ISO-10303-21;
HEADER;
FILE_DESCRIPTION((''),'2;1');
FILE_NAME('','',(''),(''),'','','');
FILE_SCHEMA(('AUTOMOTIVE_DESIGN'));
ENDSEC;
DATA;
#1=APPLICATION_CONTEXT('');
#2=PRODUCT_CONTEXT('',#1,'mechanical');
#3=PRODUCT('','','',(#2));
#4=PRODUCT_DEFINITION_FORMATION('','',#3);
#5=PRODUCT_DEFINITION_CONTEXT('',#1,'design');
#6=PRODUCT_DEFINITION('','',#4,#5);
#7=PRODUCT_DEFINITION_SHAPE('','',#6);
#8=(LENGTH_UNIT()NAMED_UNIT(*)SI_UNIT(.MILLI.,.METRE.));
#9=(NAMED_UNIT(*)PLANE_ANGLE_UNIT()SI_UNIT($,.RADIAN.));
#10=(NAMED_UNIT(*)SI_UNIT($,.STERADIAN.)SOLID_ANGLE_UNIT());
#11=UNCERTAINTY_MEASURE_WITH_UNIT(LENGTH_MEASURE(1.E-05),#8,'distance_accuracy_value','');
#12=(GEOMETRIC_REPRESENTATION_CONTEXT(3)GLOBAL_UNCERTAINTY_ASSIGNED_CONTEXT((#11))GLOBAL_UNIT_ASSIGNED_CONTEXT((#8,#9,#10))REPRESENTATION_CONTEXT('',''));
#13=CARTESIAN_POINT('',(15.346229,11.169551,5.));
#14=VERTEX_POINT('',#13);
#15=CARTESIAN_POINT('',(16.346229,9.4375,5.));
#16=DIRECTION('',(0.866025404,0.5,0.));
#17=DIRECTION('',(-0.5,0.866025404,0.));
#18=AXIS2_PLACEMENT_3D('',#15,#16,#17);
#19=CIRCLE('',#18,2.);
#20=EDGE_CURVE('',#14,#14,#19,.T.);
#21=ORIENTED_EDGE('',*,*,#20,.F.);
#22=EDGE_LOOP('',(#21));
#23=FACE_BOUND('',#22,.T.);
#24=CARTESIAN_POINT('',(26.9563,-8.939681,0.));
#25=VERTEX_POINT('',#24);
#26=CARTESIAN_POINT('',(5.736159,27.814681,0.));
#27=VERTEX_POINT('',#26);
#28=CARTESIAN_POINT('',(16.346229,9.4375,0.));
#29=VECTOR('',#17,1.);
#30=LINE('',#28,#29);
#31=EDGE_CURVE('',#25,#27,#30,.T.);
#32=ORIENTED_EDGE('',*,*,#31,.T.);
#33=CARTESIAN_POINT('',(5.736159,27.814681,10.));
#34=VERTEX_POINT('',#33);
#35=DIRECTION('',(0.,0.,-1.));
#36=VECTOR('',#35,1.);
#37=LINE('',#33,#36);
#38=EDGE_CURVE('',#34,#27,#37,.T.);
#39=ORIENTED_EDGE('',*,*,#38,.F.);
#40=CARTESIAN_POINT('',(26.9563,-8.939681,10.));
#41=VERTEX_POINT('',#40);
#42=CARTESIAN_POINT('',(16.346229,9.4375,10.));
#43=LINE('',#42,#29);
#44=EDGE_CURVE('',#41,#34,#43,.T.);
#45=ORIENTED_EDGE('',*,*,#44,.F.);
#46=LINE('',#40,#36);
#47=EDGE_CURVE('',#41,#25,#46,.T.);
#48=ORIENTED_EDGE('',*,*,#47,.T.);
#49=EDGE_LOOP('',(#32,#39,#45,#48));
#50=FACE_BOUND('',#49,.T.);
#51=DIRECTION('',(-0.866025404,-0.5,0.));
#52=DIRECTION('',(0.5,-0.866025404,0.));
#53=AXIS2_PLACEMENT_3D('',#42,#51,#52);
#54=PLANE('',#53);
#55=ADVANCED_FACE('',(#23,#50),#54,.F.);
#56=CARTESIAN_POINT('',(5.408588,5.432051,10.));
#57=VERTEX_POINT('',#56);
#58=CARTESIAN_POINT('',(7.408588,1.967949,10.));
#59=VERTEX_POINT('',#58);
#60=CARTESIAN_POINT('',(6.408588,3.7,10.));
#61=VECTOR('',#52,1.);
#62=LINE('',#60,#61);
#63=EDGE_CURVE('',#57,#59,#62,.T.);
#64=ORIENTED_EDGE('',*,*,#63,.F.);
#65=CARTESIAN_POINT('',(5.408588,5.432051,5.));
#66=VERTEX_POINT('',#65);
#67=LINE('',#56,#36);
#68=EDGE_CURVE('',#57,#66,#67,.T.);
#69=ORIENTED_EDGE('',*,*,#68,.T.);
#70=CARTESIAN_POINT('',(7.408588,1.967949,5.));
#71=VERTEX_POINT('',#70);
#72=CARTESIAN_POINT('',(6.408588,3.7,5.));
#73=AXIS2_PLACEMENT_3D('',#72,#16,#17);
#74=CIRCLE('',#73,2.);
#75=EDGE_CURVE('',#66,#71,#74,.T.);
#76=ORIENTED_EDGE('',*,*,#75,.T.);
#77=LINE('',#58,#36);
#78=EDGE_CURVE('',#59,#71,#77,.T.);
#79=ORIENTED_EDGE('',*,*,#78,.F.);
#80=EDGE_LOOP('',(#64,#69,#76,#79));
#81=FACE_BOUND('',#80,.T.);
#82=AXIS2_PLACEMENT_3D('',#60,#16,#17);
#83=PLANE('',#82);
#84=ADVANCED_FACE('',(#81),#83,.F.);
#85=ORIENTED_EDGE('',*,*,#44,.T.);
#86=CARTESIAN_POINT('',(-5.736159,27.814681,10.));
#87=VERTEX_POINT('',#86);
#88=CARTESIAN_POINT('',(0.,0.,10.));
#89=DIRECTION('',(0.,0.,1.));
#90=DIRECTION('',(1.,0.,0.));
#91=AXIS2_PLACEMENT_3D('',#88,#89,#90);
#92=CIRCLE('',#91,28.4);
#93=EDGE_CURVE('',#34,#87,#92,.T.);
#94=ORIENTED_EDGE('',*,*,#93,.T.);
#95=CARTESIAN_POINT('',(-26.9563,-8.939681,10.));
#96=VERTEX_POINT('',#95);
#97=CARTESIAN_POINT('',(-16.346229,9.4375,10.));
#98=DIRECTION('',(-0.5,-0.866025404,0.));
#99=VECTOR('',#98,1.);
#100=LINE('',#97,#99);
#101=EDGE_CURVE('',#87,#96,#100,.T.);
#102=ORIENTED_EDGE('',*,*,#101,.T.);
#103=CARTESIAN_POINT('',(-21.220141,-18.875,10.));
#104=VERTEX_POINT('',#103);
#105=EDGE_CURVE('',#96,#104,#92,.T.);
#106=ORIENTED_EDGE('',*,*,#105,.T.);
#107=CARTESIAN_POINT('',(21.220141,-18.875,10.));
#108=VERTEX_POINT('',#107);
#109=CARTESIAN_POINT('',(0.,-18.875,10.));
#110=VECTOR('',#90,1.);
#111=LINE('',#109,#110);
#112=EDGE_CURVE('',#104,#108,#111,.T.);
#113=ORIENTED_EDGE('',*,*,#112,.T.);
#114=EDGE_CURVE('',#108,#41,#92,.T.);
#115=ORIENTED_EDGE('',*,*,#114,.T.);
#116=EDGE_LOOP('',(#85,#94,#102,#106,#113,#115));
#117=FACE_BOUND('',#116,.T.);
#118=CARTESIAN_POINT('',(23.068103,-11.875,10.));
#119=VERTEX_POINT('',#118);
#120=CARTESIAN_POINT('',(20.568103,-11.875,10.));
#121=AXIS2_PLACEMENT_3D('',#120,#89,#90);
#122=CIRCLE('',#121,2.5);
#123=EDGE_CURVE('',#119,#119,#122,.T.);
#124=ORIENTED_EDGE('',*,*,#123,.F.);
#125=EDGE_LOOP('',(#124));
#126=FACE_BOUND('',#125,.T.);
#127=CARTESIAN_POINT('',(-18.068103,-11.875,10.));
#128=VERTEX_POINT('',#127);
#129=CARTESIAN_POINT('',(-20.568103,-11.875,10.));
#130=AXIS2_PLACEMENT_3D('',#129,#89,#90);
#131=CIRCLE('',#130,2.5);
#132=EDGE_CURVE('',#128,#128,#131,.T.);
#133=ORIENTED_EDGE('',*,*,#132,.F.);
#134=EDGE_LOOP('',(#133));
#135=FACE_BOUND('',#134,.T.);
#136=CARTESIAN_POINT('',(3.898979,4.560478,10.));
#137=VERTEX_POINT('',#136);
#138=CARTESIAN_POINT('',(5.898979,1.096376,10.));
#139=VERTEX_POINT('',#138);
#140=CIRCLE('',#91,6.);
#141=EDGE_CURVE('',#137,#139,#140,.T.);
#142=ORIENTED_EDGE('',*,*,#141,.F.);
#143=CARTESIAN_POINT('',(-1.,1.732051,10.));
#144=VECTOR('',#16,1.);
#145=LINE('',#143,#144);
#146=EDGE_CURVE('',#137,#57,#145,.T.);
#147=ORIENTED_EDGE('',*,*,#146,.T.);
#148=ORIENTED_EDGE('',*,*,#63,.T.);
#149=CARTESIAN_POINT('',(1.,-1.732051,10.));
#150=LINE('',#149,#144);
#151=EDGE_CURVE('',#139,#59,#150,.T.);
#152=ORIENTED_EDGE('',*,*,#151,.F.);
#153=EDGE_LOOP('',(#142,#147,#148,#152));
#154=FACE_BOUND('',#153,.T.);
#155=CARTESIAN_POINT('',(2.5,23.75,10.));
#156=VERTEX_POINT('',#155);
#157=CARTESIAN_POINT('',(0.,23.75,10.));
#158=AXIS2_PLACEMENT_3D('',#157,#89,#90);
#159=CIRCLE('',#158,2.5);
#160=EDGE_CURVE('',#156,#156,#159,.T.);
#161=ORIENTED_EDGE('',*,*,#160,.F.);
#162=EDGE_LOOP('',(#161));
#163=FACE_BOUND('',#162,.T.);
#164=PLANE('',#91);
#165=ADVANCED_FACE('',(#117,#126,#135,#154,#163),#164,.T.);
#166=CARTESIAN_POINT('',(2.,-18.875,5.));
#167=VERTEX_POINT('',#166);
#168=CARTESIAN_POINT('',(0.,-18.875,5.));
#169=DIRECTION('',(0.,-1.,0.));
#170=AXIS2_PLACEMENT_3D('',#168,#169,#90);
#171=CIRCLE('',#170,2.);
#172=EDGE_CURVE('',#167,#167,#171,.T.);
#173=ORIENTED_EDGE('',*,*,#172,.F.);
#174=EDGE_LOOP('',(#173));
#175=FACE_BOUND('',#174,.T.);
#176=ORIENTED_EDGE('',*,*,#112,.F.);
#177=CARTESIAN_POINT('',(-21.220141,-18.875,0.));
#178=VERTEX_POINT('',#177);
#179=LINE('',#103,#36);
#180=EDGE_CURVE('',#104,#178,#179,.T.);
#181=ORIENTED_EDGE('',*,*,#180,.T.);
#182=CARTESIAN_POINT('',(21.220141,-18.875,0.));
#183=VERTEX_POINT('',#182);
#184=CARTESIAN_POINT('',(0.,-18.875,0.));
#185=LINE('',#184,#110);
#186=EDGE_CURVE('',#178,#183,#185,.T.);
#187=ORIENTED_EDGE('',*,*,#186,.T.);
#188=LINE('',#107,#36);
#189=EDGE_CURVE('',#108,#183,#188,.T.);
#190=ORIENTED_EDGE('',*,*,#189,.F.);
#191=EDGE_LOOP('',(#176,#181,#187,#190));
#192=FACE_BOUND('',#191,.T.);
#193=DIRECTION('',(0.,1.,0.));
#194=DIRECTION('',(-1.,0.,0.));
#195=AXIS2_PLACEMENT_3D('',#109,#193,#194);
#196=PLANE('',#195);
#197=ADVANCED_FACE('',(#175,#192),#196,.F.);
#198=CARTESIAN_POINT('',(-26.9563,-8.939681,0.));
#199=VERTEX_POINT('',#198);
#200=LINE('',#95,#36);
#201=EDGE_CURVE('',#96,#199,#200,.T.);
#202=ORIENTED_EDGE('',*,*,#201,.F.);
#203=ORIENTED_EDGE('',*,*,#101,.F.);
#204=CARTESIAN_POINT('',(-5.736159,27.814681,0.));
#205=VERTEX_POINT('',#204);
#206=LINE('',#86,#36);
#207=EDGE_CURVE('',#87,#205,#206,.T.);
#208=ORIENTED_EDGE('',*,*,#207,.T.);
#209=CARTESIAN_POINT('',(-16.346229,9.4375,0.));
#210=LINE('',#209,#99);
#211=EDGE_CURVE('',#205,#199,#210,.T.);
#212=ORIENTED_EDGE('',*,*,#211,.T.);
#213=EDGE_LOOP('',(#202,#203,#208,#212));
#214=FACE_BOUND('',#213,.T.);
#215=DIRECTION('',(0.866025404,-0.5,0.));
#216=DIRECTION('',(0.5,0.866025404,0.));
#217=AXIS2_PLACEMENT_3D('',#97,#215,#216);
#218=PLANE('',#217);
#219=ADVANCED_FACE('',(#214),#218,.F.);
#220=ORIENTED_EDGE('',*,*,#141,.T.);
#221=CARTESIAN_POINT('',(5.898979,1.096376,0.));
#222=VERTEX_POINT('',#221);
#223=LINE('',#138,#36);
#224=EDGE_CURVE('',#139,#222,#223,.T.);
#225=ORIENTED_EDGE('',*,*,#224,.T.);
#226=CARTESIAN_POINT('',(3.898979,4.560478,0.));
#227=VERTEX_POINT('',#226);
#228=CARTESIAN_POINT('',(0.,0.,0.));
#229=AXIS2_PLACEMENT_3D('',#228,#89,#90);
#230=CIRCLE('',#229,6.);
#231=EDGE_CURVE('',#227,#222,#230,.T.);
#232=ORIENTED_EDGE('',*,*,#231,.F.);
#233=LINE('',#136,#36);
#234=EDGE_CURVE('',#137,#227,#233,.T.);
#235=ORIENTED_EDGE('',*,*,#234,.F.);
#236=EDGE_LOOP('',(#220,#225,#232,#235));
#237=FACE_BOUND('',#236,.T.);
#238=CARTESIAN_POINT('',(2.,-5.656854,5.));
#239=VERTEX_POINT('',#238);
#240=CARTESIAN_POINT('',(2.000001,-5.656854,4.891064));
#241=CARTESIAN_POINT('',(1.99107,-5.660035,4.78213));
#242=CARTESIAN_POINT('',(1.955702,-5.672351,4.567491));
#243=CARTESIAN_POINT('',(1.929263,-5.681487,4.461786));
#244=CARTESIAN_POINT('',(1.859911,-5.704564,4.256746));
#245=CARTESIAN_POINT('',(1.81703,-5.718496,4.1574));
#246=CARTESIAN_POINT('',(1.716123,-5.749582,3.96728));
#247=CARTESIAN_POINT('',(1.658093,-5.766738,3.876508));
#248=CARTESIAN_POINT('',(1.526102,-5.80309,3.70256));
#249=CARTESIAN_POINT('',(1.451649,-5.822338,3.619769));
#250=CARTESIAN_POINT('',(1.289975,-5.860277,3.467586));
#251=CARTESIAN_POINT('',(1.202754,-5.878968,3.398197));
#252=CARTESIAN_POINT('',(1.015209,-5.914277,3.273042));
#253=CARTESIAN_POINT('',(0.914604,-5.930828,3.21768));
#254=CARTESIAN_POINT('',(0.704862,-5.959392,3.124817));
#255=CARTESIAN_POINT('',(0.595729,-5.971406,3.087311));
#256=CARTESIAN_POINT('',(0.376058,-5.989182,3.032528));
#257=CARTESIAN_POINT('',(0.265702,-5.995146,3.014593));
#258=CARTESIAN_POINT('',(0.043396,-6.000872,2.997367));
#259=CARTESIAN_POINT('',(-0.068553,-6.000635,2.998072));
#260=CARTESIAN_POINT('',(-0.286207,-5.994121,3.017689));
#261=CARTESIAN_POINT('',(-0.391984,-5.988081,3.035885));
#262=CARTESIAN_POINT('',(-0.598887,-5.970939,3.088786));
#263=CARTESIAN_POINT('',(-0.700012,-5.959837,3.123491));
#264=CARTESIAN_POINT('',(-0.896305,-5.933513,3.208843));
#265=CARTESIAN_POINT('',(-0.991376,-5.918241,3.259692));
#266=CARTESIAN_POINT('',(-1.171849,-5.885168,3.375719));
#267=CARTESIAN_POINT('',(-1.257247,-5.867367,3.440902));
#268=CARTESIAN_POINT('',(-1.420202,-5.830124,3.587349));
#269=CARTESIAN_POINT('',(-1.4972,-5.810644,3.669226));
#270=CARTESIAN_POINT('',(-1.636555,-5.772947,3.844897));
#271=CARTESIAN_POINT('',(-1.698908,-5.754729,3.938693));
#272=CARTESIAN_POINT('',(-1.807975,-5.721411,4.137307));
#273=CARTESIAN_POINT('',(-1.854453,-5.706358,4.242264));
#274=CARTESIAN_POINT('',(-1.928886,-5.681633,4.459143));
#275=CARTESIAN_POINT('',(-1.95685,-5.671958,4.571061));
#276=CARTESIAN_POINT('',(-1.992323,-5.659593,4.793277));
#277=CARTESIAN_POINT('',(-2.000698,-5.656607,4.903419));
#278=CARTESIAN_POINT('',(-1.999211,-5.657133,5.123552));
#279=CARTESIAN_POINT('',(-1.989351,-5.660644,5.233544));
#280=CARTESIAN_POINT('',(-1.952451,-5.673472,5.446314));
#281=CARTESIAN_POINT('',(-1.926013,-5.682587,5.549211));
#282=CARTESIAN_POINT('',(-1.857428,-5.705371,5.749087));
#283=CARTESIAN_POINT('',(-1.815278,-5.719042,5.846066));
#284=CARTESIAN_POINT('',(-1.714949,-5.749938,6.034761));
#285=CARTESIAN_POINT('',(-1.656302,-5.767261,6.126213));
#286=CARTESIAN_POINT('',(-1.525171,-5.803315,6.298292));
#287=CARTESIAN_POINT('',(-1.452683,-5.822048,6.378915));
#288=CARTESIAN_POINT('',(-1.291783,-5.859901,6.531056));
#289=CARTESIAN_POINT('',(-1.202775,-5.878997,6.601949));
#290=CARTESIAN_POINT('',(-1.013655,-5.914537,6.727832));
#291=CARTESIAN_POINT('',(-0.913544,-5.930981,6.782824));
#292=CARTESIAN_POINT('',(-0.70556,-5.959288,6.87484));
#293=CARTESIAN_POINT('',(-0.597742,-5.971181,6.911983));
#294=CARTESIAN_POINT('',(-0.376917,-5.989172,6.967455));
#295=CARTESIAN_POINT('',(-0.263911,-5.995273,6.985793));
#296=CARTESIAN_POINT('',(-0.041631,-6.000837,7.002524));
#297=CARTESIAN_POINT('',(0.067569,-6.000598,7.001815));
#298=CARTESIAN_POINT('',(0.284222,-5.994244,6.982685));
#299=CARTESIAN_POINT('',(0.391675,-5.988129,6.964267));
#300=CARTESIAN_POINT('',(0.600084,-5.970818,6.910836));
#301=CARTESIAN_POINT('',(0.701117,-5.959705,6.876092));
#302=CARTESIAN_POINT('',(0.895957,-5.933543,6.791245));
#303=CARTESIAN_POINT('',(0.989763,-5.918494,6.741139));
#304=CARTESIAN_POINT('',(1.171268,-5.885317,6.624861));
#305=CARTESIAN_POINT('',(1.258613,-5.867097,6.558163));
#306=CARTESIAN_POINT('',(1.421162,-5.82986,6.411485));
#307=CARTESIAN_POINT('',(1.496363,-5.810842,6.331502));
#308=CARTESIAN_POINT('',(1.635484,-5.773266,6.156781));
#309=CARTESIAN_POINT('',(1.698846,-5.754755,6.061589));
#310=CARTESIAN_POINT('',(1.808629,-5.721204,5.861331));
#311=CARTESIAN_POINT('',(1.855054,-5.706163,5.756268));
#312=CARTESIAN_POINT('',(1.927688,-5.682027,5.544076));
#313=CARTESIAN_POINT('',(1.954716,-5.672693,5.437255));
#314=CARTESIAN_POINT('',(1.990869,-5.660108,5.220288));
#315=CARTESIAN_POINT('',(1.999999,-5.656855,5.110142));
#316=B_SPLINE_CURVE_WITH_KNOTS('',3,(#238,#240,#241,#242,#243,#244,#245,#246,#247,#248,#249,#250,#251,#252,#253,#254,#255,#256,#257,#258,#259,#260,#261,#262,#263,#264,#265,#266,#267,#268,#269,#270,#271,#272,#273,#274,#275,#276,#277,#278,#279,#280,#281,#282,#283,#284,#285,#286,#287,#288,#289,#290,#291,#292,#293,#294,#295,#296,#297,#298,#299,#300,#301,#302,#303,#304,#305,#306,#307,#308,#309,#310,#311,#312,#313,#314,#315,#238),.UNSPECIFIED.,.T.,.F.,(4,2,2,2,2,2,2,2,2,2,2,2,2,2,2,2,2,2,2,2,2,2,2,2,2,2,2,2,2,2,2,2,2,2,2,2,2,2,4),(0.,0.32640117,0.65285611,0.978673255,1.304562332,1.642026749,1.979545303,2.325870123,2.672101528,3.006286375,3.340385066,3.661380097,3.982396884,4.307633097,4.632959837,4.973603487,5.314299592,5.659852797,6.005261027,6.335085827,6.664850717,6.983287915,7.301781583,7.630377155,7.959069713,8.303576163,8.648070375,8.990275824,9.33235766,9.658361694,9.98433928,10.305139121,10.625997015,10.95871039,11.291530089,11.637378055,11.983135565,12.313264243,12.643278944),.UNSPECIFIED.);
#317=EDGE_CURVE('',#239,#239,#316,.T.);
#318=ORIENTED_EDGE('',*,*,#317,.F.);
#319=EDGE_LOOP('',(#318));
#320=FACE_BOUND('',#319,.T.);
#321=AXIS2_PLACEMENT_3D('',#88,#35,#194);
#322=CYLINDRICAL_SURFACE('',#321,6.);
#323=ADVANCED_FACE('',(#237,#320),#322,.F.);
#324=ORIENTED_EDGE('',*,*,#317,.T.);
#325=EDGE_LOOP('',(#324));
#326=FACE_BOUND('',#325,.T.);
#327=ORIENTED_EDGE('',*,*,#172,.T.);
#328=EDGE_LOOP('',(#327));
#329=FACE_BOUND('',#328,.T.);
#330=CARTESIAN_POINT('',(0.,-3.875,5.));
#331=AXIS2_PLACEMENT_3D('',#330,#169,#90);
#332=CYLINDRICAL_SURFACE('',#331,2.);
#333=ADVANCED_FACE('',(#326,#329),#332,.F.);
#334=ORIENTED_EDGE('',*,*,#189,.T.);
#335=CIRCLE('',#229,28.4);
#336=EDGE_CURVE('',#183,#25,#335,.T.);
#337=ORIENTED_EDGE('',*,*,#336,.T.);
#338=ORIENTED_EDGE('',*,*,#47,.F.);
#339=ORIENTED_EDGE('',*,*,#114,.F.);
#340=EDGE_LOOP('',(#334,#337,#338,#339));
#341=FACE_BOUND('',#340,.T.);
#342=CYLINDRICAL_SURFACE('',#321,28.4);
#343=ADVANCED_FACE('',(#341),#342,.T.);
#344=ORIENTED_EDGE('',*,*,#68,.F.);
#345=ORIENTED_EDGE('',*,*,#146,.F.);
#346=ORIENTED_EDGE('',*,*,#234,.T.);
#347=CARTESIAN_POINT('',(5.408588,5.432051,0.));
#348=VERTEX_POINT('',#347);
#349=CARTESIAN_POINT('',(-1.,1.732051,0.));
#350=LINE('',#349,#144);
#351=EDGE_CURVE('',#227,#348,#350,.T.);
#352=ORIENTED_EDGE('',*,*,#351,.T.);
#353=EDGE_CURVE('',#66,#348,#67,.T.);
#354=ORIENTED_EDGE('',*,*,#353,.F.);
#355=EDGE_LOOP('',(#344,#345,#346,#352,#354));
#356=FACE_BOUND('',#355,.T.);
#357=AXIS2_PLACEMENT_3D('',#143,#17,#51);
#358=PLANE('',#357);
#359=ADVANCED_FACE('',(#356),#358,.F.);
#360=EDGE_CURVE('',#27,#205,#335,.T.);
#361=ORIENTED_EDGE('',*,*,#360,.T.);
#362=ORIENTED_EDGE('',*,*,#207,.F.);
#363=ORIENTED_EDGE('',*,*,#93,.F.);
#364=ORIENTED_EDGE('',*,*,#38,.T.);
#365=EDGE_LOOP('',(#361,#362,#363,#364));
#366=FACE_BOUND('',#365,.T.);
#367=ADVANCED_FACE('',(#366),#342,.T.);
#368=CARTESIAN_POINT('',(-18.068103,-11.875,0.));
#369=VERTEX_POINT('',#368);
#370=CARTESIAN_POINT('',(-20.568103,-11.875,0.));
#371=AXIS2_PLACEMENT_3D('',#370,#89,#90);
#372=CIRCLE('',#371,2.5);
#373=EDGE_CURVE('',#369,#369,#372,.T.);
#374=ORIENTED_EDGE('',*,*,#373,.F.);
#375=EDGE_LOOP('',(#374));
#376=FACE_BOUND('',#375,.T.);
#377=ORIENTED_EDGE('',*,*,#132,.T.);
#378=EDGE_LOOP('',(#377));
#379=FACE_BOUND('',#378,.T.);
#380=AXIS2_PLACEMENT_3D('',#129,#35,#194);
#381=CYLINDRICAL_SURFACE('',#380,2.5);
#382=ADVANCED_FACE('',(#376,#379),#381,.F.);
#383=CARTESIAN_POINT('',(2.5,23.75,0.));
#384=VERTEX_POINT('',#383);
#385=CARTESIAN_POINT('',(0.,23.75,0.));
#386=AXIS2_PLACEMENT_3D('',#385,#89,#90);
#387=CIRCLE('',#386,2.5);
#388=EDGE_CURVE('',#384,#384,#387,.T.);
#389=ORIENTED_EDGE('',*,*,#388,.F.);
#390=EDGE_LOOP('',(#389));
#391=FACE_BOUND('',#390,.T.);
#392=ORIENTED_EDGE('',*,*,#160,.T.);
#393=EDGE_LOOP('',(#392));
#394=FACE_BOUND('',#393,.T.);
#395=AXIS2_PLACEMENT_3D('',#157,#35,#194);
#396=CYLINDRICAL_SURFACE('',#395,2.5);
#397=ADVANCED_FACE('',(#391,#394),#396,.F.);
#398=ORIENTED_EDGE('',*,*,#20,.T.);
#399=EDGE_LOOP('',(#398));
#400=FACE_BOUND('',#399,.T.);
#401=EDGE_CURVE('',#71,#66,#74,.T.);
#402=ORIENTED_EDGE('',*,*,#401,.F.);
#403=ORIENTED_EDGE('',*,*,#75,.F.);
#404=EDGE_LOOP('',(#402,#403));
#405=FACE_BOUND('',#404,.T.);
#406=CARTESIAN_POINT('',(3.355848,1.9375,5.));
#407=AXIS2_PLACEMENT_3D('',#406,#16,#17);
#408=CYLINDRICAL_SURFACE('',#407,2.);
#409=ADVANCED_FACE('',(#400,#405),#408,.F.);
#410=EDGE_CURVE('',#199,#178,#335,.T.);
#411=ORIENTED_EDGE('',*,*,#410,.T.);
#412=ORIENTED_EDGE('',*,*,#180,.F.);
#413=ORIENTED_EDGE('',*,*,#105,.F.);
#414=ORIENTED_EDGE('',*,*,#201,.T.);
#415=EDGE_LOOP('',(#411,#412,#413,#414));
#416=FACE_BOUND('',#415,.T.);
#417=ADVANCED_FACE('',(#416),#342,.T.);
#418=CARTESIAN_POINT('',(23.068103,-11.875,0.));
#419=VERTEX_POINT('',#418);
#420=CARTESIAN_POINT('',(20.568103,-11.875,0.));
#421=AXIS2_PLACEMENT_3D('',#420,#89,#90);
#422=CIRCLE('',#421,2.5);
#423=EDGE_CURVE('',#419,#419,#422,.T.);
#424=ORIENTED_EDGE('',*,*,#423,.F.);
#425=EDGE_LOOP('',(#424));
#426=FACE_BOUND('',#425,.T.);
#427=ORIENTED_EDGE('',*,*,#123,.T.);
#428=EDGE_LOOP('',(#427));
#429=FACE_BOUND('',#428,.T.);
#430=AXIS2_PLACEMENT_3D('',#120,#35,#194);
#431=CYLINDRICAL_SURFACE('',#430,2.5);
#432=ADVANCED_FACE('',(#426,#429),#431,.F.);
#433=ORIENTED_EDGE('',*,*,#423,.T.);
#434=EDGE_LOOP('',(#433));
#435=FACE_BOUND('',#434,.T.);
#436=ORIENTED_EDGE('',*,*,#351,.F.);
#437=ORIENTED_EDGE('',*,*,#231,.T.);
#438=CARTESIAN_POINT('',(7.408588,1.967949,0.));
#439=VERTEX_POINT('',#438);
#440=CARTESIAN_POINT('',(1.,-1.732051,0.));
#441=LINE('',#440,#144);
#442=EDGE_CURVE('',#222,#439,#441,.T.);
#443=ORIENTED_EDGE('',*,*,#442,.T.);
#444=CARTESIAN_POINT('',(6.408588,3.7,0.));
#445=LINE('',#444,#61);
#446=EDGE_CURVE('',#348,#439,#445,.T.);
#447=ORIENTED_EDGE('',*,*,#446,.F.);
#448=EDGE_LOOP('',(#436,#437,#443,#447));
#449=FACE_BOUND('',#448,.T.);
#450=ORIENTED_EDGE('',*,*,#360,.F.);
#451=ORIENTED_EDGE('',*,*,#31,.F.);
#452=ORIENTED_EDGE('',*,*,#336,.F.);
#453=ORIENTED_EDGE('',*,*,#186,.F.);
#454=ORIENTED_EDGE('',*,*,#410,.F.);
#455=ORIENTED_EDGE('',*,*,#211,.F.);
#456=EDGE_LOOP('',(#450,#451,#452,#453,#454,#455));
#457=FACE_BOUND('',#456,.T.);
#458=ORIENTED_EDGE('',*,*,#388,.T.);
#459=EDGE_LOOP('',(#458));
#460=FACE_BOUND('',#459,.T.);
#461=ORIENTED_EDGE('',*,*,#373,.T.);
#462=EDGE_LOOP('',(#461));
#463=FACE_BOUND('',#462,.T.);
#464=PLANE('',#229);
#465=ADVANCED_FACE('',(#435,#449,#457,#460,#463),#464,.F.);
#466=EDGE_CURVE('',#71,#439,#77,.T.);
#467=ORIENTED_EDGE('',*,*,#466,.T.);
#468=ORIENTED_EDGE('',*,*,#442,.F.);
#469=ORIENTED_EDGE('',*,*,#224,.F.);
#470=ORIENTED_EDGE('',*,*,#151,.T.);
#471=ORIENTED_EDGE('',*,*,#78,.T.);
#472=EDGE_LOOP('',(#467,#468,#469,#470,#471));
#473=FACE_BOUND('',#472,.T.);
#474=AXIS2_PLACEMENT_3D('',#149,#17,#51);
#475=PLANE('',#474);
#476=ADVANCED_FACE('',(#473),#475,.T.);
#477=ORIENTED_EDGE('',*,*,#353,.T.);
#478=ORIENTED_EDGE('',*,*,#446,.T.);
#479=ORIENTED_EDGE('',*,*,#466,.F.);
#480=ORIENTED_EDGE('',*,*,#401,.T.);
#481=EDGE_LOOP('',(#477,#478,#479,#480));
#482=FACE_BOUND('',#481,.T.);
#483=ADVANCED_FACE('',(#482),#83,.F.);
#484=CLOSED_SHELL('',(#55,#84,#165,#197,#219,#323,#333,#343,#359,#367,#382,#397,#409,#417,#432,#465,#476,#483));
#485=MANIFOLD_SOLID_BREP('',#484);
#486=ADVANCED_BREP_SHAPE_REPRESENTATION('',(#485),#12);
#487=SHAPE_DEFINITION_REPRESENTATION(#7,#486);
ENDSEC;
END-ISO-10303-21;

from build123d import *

# Parameters (mm, degrees)
SKETCH_1_R          = 2.5
EXTRUDE_1_DEPTH     = 10
SKETCH_2_R          = 2
CUT_EXTRUDE_1_DEPTH = 15
SKETCH_3_R          = 2
CUT_EXTRUDE_2_DEPTH = 15


with BuildPart() as part:
    # ｽｹｯﾁ1 → ﾎﾞｽ - 押し出し1 (new body)
    with BuildSketch(Plane.XY):
        with BuildLine():
            ThreePointArc((5.736159103, 27.814680993), (0, 28.4), (-5.736159103, 27.814680993))
            Line((-5.736159103, 27.814680993), (-26.95629989, -8.939680993))
            ThreePointArc((-26.95629989, -8.939680993), (-24.595121467, -14.2), (-21.220140787, -18.875))
            Line((-21.220140787, -18.875), (21.220140787, -18.875))
            ThreePointArc((21.220140787, -18.875), (24.595121467, -14.2), (26.95629989, -8.939680993))
            Line((26.95629989, -8.939680993), (5.736159103, 27.814680993))
        make_face()
        with Locations((-20.56810334, -11.875)):
            Circle(SKETCH_1_R, mode=Mode.SUBTRACT)
        with Locations((20.56810334, -11.875)):
            Circle(SKETCH_1_R, mode=Mode.SUBTRACT)
        with BuildLine():
            ThreePointArc((6, 0), (-5.449489743, -2.51058988), (3.898979486, 4.560477932))
            Line((3.898979486, 4.560477932), (5.408587988, 5.432050808))
            Line((5.408587988, 5.432050808), (7.408587988, 1.967949192))
            Line((7.408587988, 1.967949192), (5.898979486, 1.096376317))
            ThreePointArc((5.898979486, 1.096376317), (5.974691495, 0.550510257), (6, 0))
        make_face(mode=Mode.SUBTRACT)
        with Locations((0, 23.75)):
            Circle(SKETCH_1_R, mode=Mode.SUBTRACT)
    extrude(amount=EXTRUDE_1_DEPTH)

    # ｽｹｯﾁ2 → ｶｯﾄ - 押し出し1 (cut)
    with BuildSketch(Plane(origin=(16.346229496, 9.4375, 0), x_dir=(0, 0, -1), z_dir=(0.8660254037844386, 0.5, 0))):
        with Locations(Location((-5, 0, 0), (0, 0, 90))):
            Circle(SKETCH_2_R)
    extrude(amount=-CUT_EXTRUDE_1_DEPTH, mode=Mode.SUBTRACT)

    # ｽｹｯﾁ3 → ｶｯﾄ - 押し出し2 (cut)
    with BuildSketch(Plane.XZ.offset(18.875)):
        with Locations((0, 5)):
            Circle(SKETCH_3_R)
    extrude(amount=-CUT_EXTRUDE_2_DEPTH, mode=Mode.SUBTRACT)


solid = part.part
